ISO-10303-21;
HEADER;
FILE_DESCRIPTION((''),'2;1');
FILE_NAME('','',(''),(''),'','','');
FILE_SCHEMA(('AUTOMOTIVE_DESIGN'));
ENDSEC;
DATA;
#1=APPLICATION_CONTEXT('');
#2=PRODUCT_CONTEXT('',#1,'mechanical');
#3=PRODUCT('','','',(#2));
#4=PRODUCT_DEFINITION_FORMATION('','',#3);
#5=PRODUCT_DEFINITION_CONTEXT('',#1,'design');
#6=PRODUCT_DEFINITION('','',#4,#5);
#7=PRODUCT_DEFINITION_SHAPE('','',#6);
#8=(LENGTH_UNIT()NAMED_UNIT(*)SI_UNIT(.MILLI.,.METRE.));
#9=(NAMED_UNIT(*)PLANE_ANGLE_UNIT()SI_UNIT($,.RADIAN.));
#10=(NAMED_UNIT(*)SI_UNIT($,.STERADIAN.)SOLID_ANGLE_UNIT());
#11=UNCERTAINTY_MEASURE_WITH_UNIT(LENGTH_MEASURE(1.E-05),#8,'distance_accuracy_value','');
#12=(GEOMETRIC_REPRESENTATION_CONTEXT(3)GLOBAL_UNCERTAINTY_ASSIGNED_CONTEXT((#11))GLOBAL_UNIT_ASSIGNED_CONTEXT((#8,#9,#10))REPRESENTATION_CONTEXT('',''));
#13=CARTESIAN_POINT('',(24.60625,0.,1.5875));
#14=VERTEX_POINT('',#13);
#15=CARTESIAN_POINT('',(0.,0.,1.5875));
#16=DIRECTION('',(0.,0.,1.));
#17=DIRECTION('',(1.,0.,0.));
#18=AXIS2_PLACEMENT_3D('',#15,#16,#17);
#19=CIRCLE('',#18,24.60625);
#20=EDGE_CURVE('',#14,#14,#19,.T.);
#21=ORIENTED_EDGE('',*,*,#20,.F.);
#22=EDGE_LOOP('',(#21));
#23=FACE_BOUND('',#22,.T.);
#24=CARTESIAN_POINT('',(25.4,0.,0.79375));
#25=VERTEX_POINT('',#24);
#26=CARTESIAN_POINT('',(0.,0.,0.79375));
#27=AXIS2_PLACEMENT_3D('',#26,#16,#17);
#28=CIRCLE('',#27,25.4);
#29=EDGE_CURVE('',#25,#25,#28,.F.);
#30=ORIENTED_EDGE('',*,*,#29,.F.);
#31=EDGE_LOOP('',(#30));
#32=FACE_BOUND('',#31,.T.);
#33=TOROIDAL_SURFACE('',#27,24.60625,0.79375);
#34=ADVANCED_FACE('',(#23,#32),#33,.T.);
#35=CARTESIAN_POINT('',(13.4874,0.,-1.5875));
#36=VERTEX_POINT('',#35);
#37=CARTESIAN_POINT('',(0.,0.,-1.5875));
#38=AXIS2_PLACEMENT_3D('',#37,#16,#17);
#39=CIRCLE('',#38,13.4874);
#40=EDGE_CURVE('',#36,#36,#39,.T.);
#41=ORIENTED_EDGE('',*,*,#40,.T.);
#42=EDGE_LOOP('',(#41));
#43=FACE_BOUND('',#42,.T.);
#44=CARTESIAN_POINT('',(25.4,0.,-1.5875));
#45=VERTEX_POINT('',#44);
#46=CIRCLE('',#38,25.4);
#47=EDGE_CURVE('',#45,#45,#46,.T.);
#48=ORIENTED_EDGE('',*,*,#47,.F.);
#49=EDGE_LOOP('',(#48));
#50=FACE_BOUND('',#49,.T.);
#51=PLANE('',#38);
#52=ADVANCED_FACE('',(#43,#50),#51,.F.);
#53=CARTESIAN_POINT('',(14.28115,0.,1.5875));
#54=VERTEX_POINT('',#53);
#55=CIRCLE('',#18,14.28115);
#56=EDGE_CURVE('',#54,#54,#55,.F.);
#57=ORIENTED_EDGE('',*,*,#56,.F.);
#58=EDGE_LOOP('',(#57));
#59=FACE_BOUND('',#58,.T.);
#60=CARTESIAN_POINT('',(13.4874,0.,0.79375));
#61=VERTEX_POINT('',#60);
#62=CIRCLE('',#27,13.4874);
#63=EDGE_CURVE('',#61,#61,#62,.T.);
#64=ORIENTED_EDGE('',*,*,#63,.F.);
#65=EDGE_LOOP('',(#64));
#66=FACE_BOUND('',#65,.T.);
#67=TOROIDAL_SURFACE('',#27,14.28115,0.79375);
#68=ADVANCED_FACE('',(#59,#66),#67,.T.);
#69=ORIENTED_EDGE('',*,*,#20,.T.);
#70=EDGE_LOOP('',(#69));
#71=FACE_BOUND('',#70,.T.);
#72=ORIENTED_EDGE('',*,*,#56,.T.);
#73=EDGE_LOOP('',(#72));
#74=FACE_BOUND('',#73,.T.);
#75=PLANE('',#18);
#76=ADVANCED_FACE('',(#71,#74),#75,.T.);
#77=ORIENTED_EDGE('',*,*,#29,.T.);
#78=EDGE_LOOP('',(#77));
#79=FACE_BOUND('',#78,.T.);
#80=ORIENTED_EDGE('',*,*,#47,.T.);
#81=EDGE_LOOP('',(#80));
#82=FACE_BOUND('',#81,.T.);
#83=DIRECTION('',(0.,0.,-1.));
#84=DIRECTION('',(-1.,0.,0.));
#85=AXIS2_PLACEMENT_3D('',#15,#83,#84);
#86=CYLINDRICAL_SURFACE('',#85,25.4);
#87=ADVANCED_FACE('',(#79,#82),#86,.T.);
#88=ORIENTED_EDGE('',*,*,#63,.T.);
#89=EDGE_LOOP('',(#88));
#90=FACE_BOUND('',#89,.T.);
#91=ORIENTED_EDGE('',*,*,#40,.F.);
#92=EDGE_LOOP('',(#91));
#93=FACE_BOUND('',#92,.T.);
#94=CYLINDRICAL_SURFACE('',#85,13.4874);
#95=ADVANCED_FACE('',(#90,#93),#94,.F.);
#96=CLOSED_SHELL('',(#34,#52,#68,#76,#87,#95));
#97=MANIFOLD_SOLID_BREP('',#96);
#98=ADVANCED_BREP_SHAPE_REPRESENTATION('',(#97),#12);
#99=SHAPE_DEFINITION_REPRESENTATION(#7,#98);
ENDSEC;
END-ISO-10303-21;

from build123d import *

# Parameters (mm, degrees)
BOSS_EXTRUDE1_DEPTH      = 1.5875
BOSS_EXTRUDE1_DEPTH_BACK = 1.5875
SKETCH3_R                = 25.4
SKETCH3_R_2              = 13.4874
FILLET1_R                = 0.79375


with BuildPart() as part:
    # Sketch3 → Boss-Extrude1 (new, two sides: drawn at the far end of the back side and taken through both)
    with BuildSketch(Plane.XY.offset(-BOSS_EXTRUDE1_DEPTH_BACK)):
        Circle(SKETCH3_R)
        Circle(SKETCH3_R_2, mode=Mode.SUBTRACT)
    extrude(amount=BOSS_EXTRUDE1_DEPTH + BOSS_EXTRUDE1_DEPTH_BACK)

    # Fillet1
    fillet1_edges = [part.edges().sort_by_distance(p)[0] for p in [
        (-25.4, 0, 1.5875),
        (-13.4874, 0, 1.5875),
    ]]
    fillet(fillet1_edges, radius=FILLET1_R)


solid = part.part
